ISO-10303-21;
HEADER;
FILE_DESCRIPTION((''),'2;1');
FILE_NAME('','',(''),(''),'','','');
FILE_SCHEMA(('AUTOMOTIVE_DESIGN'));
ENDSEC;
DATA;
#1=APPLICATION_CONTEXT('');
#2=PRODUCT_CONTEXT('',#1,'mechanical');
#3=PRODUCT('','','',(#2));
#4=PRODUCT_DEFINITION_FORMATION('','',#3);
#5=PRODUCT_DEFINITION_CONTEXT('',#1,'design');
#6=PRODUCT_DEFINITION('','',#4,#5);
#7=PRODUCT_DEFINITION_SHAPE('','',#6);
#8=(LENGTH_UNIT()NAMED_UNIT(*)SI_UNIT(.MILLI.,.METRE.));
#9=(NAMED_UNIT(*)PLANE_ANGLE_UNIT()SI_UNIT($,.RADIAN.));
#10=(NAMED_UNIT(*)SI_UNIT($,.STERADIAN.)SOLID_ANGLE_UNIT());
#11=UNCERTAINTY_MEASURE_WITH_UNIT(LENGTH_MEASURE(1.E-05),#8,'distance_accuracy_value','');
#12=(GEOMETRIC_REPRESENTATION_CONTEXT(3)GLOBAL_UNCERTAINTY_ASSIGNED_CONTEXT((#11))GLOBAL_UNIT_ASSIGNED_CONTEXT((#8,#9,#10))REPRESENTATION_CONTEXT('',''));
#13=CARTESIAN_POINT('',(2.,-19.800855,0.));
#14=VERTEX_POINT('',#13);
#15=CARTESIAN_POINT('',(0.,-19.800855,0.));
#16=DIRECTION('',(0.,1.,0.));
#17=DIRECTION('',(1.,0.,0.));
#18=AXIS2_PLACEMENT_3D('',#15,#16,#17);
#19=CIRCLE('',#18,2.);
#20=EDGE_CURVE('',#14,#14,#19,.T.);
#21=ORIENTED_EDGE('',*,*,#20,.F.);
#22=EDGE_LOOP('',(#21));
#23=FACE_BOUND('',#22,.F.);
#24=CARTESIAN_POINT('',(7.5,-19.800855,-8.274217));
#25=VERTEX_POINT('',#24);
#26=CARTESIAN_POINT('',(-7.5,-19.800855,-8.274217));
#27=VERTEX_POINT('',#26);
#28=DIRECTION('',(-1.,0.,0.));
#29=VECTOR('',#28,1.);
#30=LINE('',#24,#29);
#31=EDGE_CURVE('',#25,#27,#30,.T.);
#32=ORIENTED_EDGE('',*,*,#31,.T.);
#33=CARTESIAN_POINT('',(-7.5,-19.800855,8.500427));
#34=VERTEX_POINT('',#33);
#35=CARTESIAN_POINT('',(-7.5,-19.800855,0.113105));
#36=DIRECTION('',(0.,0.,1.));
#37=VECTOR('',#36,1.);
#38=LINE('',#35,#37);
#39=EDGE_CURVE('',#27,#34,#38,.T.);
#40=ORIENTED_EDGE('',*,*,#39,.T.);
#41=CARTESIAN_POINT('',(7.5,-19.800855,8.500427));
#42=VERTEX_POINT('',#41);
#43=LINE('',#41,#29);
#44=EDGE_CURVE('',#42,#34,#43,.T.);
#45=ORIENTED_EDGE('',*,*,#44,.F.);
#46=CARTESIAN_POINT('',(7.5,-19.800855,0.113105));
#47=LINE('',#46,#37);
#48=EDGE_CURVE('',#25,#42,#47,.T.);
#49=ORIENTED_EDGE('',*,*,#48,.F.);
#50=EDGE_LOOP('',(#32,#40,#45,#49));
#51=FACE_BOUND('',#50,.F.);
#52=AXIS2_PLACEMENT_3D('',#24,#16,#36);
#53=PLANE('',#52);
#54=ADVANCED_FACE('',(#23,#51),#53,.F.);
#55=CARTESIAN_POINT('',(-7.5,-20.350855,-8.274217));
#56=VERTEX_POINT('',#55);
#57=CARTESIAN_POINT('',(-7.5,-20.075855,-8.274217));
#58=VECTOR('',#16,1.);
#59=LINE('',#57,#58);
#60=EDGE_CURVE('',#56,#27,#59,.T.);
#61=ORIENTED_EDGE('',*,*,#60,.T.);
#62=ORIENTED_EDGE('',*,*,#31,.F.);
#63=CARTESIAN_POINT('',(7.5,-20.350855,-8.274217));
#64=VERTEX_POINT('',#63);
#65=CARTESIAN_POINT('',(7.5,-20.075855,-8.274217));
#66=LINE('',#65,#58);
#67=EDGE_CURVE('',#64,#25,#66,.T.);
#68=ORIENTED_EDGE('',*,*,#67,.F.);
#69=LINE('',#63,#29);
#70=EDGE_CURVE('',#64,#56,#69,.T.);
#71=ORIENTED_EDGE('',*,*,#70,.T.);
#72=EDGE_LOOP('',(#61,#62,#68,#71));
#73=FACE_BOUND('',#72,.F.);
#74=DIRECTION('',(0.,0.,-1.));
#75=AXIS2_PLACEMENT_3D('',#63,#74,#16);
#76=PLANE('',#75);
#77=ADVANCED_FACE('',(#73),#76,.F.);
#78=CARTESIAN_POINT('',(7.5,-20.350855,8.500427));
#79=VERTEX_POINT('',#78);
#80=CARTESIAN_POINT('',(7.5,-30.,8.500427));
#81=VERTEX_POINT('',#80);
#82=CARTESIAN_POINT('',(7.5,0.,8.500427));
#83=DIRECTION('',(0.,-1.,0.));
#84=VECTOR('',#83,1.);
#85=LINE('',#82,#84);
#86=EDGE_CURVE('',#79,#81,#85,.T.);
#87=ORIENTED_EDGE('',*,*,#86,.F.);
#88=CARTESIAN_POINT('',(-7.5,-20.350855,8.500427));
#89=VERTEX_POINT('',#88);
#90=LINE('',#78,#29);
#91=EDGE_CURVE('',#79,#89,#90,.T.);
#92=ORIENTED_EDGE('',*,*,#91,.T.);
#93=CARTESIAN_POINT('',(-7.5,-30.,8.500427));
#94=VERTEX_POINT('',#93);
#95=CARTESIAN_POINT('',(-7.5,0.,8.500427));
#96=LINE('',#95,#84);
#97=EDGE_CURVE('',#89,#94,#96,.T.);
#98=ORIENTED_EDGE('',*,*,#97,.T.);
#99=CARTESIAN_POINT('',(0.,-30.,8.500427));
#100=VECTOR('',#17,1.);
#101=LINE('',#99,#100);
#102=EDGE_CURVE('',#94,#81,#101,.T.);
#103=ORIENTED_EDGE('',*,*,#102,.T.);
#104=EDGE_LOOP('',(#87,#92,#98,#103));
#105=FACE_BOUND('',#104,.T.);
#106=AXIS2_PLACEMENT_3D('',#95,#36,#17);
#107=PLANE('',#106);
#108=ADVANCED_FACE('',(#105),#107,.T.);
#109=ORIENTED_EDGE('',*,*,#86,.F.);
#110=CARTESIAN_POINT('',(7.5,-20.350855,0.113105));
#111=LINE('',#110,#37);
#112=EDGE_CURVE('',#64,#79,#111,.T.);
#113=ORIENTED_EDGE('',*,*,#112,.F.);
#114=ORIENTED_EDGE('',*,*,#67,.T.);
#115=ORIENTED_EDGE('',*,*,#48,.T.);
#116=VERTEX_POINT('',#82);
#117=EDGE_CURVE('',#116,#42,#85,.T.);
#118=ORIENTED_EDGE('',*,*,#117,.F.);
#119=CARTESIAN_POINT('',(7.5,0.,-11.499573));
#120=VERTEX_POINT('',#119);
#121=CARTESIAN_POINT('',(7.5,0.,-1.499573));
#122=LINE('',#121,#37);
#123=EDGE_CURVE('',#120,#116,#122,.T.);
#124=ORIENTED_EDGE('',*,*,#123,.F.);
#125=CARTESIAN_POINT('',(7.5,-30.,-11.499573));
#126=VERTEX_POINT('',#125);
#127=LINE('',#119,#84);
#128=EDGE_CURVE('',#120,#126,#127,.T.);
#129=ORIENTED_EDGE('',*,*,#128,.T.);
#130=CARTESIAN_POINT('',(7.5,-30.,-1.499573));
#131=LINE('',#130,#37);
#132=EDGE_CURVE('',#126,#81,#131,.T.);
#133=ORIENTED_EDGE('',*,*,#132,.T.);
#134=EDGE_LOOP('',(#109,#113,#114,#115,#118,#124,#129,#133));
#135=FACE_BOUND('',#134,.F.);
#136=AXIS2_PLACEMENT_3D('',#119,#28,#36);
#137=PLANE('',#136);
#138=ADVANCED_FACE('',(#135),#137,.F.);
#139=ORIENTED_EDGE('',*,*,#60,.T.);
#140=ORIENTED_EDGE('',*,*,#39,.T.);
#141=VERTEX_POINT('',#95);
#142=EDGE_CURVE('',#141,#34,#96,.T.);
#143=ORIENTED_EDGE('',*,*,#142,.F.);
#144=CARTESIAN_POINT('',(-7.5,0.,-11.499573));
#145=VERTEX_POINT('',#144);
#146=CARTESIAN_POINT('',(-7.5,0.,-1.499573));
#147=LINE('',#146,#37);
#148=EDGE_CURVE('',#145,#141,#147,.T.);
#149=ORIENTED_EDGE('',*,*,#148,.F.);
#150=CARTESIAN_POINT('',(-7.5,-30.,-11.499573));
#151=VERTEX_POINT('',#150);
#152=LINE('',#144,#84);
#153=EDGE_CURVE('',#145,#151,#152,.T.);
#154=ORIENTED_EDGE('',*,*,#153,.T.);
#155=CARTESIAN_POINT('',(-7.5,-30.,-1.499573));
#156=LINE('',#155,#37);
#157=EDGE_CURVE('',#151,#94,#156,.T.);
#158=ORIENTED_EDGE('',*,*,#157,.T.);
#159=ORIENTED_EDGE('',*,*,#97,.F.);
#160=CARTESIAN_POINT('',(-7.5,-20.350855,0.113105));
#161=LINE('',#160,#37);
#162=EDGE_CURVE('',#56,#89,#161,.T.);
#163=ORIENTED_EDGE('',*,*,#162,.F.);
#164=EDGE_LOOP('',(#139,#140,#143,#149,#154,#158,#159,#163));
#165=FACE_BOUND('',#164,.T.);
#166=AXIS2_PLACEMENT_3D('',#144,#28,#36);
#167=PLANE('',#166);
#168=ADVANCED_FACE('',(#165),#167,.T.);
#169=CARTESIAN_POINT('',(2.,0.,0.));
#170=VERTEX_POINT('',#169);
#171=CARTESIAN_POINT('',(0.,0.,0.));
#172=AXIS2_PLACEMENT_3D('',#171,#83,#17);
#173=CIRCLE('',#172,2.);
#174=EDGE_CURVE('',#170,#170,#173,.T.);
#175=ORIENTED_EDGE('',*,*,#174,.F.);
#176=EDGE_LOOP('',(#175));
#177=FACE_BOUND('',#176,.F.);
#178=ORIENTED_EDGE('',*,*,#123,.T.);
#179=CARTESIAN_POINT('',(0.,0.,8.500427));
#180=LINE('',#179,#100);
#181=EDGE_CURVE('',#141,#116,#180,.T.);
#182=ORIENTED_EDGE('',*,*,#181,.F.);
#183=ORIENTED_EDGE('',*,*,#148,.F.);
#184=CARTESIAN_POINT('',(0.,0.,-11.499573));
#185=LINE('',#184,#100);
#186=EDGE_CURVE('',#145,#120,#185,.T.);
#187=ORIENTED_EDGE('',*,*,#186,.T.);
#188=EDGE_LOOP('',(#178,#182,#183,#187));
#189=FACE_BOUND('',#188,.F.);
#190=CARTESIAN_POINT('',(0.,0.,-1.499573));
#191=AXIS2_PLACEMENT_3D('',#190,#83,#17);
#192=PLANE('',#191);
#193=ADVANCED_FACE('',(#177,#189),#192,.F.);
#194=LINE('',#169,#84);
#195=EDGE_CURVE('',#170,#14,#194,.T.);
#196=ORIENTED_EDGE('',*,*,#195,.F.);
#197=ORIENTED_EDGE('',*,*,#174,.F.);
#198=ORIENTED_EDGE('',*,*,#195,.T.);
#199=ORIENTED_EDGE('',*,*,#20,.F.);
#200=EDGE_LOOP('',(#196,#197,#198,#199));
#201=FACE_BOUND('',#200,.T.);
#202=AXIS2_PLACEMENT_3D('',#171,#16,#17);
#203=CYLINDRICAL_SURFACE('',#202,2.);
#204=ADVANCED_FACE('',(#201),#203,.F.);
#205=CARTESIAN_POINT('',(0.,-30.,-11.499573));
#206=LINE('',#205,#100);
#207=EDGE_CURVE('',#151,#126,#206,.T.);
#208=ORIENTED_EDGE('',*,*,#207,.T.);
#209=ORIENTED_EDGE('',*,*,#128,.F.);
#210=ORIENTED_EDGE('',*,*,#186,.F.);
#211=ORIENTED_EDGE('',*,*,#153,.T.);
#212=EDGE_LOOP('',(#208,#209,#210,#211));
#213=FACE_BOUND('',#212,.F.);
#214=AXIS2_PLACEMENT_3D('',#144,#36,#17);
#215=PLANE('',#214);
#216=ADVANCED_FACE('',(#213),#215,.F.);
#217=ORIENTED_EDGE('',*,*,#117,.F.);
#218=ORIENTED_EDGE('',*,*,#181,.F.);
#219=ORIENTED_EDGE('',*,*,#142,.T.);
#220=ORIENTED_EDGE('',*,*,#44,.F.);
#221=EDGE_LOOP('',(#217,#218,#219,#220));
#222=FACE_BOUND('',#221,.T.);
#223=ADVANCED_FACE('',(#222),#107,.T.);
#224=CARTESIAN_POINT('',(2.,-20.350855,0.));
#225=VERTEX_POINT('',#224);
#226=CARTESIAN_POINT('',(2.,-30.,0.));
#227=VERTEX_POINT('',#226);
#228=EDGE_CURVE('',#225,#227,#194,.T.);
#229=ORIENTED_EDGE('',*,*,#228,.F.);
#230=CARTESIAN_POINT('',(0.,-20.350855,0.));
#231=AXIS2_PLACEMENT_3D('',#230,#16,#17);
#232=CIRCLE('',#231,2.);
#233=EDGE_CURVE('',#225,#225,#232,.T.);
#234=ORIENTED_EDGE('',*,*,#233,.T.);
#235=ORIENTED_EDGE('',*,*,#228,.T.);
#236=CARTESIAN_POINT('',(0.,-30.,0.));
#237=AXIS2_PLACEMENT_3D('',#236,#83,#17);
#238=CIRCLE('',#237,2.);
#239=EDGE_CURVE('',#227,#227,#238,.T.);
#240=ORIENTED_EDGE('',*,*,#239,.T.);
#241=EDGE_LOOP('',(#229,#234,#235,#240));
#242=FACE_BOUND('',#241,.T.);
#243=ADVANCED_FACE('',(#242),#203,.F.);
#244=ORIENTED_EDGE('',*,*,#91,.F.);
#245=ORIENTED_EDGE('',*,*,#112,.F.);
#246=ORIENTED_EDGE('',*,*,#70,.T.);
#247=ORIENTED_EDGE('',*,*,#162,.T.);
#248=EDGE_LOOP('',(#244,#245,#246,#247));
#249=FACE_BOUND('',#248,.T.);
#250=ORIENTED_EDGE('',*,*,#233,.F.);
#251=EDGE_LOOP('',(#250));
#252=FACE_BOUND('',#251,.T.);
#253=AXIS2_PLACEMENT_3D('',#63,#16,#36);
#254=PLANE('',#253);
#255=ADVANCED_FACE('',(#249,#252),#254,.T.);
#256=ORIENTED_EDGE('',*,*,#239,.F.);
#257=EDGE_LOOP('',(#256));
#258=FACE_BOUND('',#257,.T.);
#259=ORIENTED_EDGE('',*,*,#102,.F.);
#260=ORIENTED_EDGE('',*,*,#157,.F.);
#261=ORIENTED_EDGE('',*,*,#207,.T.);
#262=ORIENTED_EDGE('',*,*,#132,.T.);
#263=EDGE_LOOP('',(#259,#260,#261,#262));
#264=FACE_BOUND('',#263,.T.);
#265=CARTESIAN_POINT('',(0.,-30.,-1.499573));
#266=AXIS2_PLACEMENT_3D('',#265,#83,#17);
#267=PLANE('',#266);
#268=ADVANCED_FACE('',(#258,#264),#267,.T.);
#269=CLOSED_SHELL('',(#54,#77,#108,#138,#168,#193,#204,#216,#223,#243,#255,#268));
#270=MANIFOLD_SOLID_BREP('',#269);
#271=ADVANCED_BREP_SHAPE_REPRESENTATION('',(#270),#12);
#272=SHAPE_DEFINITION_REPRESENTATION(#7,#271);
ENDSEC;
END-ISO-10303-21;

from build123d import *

# Parameters (mm, degrees)
F0_W     = 15
F0_H     = 20
F0_R     = 2
F1_DEPTH = 30
F2_W     = 0.55
F2_H     = 16.774644
F3_DEPTH = 15


with BuildPart() as f1:
    # F0 (on Front) → F1 (new body)
    with BuildSketch(Plane.XZ):
        with Locations((0, -1.499573)):
            Rectangle(F0_W, F0_H)
        Circle(F0_R, mode=Mode.SUBTRACT)
    extrude(amount=F1_DEPTH)

    # F2 (on face) → F3 (cut, through all)
    with BuildSketch(Plane.YZ.offset(7.5)):
        with Locations((-20.075855, 0.113105)):
            Rectangle(F2_W, F2_H)
    extrude(amount=-F3_DEPTH, mode=Mode.SUBTRACT)


solid = f1.part
